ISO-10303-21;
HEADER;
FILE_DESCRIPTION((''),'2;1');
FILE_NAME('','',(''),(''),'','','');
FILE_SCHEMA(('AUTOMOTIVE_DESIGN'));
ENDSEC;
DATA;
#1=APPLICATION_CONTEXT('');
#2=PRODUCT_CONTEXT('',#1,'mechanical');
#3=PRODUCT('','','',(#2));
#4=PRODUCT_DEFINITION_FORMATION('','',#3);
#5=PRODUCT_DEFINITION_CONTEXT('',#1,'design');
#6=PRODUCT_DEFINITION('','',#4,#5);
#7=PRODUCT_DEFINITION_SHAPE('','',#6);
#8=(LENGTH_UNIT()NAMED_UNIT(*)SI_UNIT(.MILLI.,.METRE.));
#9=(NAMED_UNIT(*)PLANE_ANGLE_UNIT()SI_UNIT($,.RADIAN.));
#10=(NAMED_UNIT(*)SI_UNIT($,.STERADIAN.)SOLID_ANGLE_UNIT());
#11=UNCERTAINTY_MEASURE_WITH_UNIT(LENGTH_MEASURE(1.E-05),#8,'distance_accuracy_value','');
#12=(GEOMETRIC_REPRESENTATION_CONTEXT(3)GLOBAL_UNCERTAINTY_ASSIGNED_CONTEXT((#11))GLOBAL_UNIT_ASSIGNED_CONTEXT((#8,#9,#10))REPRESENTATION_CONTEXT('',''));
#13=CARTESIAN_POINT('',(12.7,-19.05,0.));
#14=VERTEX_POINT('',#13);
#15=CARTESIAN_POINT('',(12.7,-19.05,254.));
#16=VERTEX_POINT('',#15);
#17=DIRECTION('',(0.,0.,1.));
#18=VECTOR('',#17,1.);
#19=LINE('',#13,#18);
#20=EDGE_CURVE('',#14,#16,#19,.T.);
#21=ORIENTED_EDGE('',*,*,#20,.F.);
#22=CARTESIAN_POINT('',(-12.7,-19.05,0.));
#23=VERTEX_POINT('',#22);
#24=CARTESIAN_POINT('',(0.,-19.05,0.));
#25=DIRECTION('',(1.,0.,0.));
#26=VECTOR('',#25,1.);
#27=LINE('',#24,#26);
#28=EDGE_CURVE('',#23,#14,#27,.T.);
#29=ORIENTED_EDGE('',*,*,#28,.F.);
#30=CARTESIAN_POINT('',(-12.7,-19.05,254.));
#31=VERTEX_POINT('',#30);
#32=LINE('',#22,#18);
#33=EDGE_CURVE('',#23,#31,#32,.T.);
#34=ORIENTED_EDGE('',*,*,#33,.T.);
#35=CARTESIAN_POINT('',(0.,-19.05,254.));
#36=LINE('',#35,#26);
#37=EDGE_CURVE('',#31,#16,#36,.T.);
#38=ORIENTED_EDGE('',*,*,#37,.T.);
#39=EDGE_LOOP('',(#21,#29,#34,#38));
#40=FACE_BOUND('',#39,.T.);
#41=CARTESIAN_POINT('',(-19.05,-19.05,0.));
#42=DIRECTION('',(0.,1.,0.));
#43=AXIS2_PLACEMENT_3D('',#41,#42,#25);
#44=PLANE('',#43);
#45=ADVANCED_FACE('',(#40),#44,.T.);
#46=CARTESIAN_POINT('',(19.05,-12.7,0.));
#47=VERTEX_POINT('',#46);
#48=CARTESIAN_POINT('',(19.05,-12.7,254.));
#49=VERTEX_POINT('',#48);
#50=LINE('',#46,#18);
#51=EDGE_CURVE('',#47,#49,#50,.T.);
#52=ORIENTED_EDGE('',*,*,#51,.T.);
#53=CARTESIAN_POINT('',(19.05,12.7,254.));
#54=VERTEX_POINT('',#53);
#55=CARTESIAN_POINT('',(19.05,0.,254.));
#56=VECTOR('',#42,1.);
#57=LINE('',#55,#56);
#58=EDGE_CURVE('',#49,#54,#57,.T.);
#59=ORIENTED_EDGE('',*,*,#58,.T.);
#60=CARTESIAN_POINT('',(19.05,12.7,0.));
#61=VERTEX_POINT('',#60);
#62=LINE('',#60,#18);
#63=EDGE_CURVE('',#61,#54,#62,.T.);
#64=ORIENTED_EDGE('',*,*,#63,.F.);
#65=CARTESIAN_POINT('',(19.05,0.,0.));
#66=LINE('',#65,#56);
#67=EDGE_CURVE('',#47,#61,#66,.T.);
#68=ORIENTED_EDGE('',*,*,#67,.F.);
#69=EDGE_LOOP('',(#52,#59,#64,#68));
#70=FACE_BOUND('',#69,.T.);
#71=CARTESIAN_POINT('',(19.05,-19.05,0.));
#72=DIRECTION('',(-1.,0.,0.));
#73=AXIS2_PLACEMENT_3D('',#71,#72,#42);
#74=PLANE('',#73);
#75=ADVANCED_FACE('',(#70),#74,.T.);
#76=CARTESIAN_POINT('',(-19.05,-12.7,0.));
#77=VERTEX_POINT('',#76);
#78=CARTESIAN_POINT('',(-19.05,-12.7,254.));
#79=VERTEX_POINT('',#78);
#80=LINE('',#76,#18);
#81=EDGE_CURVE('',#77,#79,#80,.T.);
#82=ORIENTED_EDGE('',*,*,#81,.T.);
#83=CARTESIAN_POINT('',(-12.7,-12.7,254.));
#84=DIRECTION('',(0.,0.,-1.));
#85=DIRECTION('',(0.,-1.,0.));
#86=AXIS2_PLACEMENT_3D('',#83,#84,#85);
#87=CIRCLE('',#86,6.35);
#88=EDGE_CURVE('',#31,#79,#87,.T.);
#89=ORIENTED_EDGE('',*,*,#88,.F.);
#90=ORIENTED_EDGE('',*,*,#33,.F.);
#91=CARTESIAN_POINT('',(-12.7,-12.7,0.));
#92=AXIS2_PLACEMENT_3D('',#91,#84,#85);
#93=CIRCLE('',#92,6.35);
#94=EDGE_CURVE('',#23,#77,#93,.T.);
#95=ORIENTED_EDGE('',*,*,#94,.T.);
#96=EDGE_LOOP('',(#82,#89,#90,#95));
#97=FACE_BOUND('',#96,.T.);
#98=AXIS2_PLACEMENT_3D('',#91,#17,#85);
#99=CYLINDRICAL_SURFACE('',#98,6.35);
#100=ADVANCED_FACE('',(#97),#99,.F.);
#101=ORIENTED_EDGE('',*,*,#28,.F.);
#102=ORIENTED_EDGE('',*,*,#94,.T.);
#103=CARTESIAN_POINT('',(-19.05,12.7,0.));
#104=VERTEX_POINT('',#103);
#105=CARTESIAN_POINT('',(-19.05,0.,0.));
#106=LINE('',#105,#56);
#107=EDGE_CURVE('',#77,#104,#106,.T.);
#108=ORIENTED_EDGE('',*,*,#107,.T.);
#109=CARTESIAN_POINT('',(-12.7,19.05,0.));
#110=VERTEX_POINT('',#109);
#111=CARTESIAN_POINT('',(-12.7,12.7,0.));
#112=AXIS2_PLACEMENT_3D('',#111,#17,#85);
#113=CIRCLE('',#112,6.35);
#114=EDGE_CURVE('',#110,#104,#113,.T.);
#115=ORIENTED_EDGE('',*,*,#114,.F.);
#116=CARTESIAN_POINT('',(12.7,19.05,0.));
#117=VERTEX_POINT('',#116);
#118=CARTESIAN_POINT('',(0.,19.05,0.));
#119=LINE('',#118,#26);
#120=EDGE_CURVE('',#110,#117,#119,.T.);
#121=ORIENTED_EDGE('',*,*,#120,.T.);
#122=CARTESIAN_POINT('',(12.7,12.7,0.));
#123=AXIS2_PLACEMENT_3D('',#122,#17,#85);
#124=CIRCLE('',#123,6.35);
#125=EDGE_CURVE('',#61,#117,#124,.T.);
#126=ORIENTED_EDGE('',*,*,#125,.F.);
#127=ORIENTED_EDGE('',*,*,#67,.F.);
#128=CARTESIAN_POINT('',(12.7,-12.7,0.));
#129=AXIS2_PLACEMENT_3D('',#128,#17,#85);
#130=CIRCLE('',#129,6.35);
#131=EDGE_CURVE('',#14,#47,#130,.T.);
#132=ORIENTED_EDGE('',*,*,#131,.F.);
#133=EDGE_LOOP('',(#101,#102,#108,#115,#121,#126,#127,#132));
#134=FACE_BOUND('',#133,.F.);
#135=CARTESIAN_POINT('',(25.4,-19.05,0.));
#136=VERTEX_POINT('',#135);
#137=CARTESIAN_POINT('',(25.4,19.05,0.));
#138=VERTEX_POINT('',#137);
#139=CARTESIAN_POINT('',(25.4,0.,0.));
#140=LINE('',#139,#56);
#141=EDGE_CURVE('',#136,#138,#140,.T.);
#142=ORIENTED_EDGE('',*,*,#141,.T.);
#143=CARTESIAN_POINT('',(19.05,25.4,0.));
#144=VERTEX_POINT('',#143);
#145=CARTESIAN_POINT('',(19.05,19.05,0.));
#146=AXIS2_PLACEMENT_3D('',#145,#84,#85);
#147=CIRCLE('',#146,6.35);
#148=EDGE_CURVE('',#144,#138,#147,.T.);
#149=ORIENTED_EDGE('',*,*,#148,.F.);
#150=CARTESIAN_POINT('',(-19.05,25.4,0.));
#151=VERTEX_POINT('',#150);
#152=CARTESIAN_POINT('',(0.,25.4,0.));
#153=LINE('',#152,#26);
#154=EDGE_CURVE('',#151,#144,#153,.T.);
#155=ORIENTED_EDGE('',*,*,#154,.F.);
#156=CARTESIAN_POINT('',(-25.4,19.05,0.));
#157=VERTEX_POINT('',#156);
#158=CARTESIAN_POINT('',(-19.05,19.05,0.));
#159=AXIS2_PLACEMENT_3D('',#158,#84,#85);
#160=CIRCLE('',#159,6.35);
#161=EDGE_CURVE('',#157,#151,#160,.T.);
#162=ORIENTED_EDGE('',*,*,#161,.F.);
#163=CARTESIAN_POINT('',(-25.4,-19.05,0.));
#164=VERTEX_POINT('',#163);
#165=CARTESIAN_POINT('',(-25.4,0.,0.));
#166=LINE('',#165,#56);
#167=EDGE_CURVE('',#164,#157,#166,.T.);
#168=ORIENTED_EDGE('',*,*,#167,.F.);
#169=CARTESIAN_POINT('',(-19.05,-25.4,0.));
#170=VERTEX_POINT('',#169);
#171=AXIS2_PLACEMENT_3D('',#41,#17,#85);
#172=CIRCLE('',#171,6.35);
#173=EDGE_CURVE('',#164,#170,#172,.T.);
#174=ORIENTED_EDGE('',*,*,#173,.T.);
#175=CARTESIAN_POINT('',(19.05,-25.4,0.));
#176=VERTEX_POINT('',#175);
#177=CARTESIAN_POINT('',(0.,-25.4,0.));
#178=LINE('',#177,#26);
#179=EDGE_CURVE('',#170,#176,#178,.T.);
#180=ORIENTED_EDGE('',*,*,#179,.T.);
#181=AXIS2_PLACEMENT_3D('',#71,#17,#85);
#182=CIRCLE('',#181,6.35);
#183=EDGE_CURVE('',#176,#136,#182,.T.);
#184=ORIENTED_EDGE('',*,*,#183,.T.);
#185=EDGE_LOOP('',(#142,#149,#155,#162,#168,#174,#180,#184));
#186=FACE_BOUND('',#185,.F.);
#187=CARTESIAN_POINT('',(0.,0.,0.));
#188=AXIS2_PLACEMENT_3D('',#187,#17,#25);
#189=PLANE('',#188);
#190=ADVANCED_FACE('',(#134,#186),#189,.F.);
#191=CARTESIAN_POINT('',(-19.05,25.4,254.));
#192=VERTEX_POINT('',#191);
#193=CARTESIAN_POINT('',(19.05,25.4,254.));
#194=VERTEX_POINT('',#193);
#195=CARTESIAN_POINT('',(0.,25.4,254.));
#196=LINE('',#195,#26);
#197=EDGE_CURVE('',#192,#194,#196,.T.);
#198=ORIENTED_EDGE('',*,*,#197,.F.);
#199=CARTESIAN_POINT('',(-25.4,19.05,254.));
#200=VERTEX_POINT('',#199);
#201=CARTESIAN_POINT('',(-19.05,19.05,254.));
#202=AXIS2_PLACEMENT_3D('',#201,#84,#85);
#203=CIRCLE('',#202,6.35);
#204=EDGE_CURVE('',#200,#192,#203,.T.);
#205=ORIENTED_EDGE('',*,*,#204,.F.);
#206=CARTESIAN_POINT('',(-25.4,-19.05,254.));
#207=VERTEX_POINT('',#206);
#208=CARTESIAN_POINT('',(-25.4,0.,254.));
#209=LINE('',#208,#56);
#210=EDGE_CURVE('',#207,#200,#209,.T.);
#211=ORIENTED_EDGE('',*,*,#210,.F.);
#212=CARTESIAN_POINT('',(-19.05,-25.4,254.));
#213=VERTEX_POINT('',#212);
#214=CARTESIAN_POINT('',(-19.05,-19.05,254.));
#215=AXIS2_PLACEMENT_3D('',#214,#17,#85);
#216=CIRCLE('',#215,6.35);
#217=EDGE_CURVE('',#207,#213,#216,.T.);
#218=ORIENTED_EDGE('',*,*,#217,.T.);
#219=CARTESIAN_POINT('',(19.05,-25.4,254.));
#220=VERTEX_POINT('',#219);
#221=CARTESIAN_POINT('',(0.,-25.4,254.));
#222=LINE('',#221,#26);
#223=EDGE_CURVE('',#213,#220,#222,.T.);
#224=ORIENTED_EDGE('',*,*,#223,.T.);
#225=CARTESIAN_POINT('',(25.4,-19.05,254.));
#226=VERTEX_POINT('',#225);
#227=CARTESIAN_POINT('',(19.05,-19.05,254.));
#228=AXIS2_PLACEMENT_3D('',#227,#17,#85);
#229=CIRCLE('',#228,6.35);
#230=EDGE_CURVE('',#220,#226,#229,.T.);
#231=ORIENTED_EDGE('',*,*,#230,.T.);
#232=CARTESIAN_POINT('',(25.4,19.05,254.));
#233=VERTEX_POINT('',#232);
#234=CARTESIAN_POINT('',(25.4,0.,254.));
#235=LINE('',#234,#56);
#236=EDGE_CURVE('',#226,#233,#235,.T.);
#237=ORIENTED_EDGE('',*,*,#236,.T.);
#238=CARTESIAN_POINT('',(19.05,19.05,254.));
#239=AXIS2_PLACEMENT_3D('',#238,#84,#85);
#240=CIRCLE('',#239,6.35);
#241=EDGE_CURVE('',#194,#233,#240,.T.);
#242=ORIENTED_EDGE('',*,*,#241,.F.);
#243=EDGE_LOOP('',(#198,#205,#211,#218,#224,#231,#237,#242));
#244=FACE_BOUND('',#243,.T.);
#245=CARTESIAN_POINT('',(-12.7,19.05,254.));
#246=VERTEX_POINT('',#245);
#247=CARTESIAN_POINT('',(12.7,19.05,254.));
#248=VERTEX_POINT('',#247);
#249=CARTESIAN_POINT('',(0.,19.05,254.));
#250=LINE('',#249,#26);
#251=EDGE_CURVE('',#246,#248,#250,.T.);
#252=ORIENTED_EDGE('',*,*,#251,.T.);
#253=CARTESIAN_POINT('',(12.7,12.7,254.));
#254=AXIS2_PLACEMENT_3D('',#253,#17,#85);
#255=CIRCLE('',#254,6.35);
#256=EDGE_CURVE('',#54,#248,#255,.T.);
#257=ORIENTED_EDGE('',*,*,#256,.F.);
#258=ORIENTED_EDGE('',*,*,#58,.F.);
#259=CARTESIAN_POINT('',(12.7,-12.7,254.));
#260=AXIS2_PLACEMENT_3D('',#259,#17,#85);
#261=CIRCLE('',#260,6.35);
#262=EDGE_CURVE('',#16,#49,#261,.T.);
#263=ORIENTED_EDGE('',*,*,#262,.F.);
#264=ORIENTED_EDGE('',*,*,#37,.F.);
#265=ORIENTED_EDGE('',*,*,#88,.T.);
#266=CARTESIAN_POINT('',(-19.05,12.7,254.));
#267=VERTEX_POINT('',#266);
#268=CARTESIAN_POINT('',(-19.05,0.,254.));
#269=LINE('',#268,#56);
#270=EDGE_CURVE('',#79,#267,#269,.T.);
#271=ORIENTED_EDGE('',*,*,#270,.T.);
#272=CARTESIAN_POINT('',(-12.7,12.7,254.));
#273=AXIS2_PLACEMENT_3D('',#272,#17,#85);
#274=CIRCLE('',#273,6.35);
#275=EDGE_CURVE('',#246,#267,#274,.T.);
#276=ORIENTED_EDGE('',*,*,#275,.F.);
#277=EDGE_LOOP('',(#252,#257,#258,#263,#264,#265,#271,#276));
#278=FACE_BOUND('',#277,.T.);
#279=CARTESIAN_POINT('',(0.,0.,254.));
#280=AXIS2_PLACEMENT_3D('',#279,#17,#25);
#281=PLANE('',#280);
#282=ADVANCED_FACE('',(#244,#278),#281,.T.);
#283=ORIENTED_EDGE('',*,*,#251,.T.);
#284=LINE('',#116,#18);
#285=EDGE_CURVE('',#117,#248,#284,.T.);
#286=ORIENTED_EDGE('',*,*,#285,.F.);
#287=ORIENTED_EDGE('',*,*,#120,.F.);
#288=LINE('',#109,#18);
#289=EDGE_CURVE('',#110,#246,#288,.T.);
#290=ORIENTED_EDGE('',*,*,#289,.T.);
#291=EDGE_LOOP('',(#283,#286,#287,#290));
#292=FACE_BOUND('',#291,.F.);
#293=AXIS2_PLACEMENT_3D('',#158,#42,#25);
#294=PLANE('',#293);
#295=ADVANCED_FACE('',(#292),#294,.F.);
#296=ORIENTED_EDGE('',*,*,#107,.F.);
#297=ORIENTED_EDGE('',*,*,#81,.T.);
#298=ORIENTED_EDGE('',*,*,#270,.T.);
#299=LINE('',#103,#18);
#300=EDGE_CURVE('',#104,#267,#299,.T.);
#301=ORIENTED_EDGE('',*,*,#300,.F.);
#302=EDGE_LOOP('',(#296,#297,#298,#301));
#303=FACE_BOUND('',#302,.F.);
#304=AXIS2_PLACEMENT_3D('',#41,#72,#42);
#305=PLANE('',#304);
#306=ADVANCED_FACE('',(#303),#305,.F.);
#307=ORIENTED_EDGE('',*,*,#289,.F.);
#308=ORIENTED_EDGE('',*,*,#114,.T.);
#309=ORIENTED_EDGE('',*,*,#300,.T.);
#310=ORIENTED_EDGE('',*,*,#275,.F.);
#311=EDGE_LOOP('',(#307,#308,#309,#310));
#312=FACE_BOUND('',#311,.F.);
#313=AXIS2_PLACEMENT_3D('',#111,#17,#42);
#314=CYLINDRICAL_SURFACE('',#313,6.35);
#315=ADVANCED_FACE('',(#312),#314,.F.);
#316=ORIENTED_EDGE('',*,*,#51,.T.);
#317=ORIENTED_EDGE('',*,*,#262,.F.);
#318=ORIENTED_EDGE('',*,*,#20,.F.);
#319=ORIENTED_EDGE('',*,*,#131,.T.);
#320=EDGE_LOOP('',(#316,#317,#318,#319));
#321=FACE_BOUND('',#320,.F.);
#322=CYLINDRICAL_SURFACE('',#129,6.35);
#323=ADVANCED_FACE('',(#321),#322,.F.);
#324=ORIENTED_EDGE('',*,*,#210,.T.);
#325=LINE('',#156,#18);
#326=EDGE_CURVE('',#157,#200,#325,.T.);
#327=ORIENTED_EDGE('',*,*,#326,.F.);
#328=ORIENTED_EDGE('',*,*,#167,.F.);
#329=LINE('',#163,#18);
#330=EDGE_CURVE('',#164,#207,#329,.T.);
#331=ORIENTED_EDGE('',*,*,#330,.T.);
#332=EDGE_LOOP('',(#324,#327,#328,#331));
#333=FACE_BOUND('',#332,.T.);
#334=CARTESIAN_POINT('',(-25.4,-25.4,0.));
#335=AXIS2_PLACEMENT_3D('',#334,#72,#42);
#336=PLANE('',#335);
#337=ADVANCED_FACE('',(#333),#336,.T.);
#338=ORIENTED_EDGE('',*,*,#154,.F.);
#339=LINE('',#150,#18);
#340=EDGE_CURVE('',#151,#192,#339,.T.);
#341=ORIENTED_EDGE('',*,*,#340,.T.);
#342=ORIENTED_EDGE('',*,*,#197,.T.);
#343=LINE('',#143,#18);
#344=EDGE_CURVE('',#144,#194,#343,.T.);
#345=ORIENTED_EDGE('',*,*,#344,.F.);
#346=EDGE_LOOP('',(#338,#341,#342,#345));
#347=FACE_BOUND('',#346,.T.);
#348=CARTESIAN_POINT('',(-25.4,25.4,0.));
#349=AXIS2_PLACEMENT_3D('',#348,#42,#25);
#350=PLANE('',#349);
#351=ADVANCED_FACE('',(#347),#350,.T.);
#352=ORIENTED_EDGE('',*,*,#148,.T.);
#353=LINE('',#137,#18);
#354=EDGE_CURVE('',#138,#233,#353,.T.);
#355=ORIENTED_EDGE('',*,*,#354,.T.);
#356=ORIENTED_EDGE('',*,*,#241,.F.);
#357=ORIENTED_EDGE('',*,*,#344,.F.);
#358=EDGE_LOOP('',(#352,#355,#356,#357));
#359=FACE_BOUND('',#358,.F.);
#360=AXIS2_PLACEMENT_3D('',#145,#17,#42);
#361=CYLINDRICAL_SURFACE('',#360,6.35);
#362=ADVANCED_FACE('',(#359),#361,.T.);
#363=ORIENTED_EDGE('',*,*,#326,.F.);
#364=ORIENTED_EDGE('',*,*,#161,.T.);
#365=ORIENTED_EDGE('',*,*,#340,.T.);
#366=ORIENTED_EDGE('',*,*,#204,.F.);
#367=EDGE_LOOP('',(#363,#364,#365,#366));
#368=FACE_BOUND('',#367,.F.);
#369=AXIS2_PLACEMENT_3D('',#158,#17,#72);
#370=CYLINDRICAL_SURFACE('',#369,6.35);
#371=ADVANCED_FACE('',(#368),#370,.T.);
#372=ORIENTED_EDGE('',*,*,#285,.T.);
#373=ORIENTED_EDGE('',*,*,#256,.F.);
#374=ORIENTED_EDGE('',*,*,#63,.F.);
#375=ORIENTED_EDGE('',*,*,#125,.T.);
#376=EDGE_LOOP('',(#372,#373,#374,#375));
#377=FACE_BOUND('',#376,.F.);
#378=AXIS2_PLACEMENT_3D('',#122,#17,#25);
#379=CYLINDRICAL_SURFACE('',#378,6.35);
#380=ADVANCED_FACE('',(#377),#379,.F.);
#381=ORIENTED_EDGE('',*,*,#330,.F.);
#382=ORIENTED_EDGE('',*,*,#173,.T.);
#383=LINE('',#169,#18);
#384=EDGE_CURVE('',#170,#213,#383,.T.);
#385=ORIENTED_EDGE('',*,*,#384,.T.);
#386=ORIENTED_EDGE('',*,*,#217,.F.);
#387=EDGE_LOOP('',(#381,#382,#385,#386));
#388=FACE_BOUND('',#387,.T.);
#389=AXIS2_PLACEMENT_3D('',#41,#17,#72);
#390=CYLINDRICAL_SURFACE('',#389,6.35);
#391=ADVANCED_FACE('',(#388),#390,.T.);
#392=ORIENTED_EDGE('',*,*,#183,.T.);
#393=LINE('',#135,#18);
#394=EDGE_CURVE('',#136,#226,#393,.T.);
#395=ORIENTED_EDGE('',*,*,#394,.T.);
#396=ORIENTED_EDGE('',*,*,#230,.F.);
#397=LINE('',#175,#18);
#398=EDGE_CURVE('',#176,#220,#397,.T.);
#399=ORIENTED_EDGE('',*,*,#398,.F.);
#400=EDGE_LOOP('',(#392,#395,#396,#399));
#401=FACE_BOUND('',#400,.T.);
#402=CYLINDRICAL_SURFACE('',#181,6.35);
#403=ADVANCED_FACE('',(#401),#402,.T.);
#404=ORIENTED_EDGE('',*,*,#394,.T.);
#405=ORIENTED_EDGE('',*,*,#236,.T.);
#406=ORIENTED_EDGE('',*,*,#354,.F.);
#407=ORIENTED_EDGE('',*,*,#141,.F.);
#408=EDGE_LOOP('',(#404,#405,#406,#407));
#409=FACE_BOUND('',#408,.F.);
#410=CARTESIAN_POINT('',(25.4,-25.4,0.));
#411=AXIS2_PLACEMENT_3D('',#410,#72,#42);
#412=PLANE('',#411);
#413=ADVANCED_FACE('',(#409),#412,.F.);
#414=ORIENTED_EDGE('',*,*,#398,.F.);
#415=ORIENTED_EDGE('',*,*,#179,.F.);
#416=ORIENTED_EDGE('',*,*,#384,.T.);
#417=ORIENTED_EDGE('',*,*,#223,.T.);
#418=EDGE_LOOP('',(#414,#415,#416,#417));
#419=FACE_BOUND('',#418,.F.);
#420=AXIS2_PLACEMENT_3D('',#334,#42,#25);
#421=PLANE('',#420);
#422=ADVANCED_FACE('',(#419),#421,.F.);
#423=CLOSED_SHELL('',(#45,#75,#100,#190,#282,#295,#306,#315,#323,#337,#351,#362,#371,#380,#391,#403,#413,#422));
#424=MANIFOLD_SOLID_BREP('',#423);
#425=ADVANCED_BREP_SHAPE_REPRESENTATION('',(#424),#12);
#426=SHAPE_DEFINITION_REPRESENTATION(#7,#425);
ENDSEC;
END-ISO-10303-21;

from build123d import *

# Parameters (mm, degrees)
F0_W     = 50.8
F0_H     = 50.8
F0_W_2   = 38.1
F0_H_2   = 38.1
F1_DEPTH = 254
F2_R     = 6.35
F3_R     = 6.35


with BuildPart() as f1:
    # F0 (on Top) → F1 (new body)
    with BuildSketch(Plane.XY):
        Rectangle(F0_W, F0_H)
        Rectangle(F0_W_2, F0_H_2, mode=Mode.SUBTRACT)
    extrude(amount=F1_DEPTH)

    # F2
    f2_edges = [f1.edges().sort_by_distance(p)[0] for p in [
        (-25.4, 25.4, 127),
        (-25.4, -25.4, 127),
        (19.05, -19.05, 127),
        (25.4, 25.4, 127),
        (-19.05, -19.05, 127),
        (-19.05, 19.05, 127),
        (19.05, 19.05, 127),
    ]]
    fillet(f2_edges, radius=F2_R)

    # F3
    f3_edges = [f1.edges().sort_by_distance(p)[0] for p in [
        (25.4, -25.4, 127),
    ]]
    fillet(f3_edges, radius=F3_R)


solid = f1.part
